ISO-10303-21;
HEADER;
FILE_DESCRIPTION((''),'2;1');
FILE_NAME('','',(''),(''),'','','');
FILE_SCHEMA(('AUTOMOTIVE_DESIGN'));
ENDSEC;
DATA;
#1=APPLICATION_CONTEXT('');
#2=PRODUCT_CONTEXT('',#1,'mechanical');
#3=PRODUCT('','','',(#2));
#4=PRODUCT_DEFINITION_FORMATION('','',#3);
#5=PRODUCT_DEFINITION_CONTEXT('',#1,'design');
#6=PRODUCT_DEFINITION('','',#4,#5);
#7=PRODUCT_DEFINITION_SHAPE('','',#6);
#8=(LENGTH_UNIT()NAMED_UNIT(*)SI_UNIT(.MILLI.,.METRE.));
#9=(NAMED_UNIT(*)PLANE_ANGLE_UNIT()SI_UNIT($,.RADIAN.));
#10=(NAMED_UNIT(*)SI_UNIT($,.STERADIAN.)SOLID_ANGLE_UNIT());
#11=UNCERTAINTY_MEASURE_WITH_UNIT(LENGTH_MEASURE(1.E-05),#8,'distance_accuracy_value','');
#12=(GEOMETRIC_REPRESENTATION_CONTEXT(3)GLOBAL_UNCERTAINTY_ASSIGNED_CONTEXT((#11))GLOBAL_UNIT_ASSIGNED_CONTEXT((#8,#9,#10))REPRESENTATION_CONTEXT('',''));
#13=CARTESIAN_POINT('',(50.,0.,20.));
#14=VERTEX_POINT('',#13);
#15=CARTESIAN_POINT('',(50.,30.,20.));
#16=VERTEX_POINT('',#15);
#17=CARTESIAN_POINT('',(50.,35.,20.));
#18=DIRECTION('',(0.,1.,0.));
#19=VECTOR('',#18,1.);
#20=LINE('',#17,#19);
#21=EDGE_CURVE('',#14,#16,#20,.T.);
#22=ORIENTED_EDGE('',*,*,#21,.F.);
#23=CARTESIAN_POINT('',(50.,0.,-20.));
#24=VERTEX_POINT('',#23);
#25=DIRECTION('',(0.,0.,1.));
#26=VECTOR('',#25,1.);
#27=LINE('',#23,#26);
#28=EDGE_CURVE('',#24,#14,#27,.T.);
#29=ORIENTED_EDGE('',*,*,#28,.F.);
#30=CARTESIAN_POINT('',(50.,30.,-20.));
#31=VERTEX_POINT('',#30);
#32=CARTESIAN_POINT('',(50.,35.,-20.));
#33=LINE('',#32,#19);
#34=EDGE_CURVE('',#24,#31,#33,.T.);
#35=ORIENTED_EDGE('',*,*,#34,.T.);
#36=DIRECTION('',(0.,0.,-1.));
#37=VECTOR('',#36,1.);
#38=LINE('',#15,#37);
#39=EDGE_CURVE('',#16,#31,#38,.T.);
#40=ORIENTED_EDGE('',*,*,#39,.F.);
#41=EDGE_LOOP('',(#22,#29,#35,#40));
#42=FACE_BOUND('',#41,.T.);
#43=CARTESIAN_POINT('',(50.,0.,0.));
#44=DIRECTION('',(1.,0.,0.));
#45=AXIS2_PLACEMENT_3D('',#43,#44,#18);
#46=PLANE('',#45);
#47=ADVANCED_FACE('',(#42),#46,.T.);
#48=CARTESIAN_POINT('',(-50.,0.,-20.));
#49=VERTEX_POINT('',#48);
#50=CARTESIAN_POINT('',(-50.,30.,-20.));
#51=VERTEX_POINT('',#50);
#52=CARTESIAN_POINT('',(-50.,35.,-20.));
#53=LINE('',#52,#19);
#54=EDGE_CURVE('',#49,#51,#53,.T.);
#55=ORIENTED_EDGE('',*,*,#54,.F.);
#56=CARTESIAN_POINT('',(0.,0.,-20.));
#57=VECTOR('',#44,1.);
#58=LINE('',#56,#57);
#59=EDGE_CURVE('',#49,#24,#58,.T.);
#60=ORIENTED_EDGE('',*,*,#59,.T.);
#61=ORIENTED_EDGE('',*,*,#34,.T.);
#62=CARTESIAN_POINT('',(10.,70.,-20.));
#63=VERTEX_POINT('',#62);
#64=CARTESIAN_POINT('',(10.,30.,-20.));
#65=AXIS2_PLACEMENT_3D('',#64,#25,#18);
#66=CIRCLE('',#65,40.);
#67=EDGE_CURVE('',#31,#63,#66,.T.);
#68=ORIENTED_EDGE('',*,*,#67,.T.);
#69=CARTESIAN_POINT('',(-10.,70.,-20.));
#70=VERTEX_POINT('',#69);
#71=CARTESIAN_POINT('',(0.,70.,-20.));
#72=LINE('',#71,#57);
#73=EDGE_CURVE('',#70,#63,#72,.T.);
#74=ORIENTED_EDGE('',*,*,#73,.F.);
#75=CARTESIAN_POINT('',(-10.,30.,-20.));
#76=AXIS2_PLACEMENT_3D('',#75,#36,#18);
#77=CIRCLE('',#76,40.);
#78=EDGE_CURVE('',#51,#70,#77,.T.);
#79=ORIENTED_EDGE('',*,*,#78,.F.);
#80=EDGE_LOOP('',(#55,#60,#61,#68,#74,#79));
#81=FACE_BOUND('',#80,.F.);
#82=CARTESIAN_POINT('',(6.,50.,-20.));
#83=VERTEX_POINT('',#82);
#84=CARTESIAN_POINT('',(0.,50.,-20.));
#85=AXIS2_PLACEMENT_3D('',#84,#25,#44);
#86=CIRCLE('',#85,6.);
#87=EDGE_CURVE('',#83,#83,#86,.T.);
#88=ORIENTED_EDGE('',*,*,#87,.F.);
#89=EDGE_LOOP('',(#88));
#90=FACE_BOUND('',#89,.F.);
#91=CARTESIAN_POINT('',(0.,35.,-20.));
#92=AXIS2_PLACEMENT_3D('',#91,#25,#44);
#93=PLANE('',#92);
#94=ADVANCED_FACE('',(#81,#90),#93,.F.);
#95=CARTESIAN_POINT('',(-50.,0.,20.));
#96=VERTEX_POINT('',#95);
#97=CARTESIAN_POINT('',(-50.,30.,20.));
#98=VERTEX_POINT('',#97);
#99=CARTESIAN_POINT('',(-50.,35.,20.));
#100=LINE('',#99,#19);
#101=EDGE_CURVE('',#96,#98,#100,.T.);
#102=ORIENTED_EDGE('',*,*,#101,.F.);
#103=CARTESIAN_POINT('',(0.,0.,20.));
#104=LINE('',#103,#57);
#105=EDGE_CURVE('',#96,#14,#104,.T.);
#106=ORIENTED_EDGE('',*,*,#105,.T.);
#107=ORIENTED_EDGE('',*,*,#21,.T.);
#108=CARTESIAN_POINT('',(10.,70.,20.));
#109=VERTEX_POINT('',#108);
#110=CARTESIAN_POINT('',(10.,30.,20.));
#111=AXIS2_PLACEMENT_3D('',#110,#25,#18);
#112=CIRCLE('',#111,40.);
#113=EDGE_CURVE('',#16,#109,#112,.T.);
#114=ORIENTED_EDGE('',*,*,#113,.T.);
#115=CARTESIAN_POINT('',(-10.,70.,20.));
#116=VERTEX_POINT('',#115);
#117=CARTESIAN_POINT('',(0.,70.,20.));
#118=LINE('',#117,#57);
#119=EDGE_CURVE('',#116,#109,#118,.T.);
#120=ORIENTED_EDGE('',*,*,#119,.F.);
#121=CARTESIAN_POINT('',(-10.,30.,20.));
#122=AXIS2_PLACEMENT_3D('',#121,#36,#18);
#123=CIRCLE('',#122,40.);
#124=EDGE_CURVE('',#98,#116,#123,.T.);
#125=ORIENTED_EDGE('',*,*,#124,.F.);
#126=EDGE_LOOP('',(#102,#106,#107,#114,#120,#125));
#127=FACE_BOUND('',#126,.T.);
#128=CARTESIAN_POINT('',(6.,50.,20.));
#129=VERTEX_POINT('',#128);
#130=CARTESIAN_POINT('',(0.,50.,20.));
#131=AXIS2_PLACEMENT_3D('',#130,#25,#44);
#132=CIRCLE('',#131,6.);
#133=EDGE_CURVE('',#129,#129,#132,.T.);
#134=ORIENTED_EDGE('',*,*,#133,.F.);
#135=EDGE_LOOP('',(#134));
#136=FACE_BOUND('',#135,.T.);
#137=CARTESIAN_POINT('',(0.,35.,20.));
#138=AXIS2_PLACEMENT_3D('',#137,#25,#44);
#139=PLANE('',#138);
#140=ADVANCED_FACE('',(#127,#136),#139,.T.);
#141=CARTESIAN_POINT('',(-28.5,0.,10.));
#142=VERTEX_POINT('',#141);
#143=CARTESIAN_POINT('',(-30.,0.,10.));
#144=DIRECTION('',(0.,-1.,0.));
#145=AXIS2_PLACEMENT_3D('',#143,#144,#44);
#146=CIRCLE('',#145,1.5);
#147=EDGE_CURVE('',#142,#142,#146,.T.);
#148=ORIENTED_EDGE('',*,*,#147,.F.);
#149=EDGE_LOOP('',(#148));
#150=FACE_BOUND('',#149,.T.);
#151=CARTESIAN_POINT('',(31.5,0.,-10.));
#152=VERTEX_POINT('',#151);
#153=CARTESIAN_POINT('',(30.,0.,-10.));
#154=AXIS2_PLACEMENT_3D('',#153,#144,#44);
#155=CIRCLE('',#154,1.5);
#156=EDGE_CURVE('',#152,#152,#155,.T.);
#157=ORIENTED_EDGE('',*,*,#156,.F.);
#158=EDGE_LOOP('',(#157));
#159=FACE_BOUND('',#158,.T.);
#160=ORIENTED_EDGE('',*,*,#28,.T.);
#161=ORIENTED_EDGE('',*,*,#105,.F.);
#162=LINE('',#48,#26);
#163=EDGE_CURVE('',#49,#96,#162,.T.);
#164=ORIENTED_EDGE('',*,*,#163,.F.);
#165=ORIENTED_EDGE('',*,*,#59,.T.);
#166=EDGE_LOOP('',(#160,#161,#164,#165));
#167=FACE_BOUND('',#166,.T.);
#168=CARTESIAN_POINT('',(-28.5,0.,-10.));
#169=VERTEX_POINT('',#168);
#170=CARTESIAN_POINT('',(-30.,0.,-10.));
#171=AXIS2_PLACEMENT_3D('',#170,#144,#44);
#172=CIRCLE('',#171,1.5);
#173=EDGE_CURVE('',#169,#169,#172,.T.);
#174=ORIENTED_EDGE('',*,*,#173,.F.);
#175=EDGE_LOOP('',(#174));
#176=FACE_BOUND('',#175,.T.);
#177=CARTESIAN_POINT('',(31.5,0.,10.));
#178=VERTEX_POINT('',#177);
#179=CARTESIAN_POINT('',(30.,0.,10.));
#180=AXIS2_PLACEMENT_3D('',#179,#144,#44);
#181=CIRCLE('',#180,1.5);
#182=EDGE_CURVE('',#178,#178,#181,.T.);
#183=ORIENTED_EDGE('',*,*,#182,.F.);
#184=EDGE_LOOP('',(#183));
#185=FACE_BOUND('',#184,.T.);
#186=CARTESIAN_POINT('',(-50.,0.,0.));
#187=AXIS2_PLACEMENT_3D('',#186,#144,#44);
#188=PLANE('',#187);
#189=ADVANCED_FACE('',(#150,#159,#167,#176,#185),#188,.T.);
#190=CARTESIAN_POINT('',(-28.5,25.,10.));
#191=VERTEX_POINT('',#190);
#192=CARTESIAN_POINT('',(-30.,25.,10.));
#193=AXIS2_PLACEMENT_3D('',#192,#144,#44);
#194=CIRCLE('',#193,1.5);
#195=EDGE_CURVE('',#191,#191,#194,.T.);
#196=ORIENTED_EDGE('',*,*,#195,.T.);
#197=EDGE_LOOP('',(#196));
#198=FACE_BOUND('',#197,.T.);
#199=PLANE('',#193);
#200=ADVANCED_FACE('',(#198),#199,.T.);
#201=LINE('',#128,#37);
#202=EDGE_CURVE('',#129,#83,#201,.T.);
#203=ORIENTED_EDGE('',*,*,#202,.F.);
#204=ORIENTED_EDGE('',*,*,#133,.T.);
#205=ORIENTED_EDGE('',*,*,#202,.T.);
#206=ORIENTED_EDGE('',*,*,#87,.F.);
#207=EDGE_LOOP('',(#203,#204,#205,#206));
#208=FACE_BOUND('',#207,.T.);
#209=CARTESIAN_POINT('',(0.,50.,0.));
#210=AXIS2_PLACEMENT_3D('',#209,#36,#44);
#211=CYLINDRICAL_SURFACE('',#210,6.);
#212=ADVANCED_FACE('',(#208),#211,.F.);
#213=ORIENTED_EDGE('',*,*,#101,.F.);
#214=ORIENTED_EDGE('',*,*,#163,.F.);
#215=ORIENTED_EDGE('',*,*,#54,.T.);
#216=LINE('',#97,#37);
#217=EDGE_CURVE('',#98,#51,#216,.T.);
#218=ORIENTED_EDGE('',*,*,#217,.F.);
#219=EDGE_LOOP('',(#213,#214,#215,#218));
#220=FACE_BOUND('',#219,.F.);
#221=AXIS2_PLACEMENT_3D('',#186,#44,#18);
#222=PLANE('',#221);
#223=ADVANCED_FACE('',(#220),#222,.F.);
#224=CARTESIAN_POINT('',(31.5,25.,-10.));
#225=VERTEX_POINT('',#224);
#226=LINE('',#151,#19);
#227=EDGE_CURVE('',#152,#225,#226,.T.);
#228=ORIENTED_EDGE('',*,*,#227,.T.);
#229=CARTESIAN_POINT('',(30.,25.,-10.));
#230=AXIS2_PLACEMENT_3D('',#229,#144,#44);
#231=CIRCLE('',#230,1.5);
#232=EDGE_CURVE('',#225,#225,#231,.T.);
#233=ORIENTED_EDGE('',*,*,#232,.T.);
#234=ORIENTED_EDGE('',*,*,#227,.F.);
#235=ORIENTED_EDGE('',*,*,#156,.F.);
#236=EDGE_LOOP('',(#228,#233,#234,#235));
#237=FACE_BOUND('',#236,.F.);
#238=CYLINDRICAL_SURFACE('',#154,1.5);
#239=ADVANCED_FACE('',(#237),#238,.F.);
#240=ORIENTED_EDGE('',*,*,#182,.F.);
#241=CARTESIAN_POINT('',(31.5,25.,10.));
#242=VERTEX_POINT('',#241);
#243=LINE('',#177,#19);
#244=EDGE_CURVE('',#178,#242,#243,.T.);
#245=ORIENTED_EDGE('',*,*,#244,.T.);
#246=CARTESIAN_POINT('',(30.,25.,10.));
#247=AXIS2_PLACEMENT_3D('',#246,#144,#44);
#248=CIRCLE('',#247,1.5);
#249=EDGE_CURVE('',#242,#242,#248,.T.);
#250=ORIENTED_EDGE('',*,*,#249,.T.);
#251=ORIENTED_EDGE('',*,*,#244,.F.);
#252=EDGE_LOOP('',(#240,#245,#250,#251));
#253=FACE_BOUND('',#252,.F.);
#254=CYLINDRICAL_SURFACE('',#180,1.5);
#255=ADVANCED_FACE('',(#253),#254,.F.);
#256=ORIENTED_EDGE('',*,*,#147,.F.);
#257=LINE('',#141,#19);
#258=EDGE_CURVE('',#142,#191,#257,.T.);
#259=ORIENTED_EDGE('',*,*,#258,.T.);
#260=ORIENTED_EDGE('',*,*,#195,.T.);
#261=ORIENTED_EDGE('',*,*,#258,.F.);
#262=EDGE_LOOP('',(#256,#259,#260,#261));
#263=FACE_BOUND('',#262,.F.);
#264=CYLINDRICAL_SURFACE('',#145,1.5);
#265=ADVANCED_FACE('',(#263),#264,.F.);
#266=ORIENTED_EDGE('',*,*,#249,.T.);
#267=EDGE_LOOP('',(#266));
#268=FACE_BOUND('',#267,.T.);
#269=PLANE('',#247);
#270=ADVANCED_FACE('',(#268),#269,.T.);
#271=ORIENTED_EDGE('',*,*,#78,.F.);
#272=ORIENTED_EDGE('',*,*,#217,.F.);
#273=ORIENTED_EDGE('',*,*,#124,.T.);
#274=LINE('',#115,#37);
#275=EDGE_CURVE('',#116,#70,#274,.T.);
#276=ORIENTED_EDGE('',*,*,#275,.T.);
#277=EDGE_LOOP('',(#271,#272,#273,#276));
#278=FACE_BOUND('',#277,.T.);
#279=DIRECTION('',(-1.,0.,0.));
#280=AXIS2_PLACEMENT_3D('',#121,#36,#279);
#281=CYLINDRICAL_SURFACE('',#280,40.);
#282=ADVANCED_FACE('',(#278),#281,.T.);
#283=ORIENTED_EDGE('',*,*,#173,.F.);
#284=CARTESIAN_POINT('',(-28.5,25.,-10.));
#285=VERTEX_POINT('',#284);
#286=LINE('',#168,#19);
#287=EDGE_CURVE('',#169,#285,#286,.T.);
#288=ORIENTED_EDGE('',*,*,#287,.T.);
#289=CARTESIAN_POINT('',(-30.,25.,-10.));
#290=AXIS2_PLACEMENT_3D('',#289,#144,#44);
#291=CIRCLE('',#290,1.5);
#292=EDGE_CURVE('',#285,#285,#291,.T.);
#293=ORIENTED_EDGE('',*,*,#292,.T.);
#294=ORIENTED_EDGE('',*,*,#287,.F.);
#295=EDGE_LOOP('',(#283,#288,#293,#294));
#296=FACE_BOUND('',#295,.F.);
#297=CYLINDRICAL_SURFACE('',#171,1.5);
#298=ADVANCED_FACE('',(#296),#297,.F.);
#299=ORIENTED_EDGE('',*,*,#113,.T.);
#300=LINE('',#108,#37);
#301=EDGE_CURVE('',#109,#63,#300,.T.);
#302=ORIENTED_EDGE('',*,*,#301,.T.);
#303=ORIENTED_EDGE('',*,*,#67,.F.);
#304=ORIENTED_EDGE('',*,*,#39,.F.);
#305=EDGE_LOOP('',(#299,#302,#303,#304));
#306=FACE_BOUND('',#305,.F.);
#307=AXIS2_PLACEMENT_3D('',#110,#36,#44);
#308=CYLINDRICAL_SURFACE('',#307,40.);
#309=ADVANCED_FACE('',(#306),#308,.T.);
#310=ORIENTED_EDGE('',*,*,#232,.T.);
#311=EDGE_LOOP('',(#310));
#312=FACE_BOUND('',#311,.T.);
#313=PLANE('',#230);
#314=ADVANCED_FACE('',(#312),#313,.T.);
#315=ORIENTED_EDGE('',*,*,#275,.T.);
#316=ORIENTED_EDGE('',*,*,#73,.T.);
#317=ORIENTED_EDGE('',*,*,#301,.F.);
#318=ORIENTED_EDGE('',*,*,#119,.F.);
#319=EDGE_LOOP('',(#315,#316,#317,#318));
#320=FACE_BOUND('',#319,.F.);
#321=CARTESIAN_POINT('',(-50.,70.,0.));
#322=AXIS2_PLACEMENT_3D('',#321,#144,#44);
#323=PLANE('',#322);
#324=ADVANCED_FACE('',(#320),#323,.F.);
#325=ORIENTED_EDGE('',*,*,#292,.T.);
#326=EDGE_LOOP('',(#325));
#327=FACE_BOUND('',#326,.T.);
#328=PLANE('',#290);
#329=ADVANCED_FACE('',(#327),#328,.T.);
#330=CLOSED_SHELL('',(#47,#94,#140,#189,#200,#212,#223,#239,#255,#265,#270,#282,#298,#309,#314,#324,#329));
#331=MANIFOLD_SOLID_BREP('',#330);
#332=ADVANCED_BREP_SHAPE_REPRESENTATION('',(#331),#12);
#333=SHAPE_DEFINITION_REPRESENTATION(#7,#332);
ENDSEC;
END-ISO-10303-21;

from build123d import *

# Parameters (mm, degrees)
F0_W     = 100
F0_H     = 70
F0_R     = 6
F1_DEPTH = 20
F2_R     = 40
F3_R     = 1.5
F4_DEPTH = 25


with BuildPart() as f1:
    # F0 (on Top) → F1 (new body, symmetric)
    with BuildSketch(Plane.XY):
        with Locations((0, 35)):
            Rectangle(F0_W, F0_H)
        with Locations((0, 50)):
            Circle(F0_R, mode=Mode.SUBTRACT)
    extrude(amount=F1_DEPTH, both=True)

    # F2
    f2_edges = [f1.edges().sort_by_distance(p)[0] for p in [
        (-50, 70, 0),
        (50, 70, 0),
    ]]
    fillet(f2_edges, radius=F2_R)

    # F3 (on face) → F4 (cut)
    with BuildSketch(Plane.XZ):
        with Locations((-30, 10)):
            Circle(F3_R)
        with Locations((-30, -10)):
            Circle(F3_R)
        with Locations((30, -10)):
            Circle(F3_R)
        with Locations((30, 10)):
            Circle(F3_R)
    extrude(amount=-F4_DEPTH, mode=Mode.SUBTRACT)


solid = f1.part
